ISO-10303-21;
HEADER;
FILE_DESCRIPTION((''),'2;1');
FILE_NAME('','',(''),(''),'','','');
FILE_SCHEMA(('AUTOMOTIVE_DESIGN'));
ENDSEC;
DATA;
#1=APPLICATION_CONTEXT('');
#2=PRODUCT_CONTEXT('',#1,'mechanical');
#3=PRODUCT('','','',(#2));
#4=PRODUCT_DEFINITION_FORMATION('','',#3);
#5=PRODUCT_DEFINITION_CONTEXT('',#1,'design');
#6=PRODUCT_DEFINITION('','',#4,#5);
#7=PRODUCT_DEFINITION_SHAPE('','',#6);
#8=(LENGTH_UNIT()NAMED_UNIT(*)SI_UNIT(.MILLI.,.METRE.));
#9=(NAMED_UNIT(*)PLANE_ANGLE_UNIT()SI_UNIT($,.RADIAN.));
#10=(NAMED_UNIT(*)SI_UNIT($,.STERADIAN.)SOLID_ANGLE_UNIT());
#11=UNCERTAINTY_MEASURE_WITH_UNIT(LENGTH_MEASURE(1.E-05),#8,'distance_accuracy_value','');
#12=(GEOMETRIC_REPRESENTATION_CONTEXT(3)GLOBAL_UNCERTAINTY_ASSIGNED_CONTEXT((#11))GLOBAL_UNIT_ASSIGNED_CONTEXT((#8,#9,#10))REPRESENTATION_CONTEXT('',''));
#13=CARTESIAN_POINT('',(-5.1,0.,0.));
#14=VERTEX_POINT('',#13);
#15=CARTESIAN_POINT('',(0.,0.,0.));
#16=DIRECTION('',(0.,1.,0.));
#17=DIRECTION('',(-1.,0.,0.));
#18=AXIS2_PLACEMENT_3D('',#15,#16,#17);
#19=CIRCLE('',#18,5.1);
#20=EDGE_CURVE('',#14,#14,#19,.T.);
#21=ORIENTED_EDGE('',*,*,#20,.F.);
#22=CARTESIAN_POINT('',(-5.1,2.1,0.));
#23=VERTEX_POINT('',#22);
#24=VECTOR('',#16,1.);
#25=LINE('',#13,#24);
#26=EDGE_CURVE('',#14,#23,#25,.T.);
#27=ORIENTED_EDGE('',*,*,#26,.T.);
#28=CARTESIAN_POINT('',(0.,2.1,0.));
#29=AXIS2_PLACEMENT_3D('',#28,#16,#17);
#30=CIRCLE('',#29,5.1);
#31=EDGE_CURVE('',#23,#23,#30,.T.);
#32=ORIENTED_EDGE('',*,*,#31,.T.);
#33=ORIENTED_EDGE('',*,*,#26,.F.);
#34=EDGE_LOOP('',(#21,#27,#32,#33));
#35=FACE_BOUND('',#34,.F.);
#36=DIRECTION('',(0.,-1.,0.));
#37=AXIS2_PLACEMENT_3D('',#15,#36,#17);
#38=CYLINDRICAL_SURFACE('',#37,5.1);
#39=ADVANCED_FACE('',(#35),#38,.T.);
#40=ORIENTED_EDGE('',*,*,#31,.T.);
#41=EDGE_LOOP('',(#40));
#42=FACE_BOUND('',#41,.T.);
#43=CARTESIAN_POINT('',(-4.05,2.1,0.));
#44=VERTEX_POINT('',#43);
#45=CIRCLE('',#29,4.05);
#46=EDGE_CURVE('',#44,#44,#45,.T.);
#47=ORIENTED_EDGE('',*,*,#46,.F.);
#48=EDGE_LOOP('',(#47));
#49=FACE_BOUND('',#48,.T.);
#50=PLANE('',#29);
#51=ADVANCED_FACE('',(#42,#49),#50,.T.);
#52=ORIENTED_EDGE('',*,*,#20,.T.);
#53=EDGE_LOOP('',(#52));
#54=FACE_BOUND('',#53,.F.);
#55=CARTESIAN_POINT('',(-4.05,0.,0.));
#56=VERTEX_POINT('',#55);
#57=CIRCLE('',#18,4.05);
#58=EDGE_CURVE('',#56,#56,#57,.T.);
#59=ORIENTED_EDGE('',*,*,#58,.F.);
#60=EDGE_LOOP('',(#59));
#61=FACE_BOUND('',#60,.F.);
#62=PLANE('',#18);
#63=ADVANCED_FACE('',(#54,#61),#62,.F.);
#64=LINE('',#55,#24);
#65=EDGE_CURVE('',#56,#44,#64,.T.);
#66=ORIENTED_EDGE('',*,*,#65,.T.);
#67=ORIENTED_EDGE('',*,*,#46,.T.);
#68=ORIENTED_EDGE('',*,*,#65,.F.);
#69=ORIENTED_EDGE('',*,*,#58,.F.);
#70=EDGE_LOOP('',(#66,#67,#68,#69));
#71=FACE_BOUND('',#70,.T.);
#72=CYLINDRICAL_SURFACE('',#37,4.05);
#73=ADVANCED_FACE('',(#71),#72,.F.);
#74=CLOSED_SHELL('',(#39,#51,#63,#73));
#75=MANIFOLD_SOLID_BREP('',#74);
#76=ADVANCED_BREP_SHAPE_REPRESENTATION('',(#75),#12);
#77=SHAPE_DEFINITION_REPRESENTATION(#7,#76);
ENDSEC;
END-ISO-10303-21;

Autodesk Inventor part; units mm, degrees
ref_plane "YZ Plane" through (0, 0, 0) normal (1, 0, 0) x (0, 1, 0)
ref_plane "XZ Plane" through (0, 0, 0) normal (0, 1, 0) x (-1, 0, 0)
ref_plane "XY Plane" through (0, 0, 0) normal (0, 0, 1) x (1, 0, 0)
sketch "草图1" plane through (0, 0, 0) normal (0, 1, 0) x (-1, 0, 0)
  circle A0 centre (0, 0) radius 4.05
  circle A1 centre (0, 0) radius 5.1
  dimension "d0" = 8.1
  dimension "d1" = 10.2
extrude "拉伸1" add sketch "草图1" along normal blind 2.1
properties part number "5-垫圈" material "不锈钢"
